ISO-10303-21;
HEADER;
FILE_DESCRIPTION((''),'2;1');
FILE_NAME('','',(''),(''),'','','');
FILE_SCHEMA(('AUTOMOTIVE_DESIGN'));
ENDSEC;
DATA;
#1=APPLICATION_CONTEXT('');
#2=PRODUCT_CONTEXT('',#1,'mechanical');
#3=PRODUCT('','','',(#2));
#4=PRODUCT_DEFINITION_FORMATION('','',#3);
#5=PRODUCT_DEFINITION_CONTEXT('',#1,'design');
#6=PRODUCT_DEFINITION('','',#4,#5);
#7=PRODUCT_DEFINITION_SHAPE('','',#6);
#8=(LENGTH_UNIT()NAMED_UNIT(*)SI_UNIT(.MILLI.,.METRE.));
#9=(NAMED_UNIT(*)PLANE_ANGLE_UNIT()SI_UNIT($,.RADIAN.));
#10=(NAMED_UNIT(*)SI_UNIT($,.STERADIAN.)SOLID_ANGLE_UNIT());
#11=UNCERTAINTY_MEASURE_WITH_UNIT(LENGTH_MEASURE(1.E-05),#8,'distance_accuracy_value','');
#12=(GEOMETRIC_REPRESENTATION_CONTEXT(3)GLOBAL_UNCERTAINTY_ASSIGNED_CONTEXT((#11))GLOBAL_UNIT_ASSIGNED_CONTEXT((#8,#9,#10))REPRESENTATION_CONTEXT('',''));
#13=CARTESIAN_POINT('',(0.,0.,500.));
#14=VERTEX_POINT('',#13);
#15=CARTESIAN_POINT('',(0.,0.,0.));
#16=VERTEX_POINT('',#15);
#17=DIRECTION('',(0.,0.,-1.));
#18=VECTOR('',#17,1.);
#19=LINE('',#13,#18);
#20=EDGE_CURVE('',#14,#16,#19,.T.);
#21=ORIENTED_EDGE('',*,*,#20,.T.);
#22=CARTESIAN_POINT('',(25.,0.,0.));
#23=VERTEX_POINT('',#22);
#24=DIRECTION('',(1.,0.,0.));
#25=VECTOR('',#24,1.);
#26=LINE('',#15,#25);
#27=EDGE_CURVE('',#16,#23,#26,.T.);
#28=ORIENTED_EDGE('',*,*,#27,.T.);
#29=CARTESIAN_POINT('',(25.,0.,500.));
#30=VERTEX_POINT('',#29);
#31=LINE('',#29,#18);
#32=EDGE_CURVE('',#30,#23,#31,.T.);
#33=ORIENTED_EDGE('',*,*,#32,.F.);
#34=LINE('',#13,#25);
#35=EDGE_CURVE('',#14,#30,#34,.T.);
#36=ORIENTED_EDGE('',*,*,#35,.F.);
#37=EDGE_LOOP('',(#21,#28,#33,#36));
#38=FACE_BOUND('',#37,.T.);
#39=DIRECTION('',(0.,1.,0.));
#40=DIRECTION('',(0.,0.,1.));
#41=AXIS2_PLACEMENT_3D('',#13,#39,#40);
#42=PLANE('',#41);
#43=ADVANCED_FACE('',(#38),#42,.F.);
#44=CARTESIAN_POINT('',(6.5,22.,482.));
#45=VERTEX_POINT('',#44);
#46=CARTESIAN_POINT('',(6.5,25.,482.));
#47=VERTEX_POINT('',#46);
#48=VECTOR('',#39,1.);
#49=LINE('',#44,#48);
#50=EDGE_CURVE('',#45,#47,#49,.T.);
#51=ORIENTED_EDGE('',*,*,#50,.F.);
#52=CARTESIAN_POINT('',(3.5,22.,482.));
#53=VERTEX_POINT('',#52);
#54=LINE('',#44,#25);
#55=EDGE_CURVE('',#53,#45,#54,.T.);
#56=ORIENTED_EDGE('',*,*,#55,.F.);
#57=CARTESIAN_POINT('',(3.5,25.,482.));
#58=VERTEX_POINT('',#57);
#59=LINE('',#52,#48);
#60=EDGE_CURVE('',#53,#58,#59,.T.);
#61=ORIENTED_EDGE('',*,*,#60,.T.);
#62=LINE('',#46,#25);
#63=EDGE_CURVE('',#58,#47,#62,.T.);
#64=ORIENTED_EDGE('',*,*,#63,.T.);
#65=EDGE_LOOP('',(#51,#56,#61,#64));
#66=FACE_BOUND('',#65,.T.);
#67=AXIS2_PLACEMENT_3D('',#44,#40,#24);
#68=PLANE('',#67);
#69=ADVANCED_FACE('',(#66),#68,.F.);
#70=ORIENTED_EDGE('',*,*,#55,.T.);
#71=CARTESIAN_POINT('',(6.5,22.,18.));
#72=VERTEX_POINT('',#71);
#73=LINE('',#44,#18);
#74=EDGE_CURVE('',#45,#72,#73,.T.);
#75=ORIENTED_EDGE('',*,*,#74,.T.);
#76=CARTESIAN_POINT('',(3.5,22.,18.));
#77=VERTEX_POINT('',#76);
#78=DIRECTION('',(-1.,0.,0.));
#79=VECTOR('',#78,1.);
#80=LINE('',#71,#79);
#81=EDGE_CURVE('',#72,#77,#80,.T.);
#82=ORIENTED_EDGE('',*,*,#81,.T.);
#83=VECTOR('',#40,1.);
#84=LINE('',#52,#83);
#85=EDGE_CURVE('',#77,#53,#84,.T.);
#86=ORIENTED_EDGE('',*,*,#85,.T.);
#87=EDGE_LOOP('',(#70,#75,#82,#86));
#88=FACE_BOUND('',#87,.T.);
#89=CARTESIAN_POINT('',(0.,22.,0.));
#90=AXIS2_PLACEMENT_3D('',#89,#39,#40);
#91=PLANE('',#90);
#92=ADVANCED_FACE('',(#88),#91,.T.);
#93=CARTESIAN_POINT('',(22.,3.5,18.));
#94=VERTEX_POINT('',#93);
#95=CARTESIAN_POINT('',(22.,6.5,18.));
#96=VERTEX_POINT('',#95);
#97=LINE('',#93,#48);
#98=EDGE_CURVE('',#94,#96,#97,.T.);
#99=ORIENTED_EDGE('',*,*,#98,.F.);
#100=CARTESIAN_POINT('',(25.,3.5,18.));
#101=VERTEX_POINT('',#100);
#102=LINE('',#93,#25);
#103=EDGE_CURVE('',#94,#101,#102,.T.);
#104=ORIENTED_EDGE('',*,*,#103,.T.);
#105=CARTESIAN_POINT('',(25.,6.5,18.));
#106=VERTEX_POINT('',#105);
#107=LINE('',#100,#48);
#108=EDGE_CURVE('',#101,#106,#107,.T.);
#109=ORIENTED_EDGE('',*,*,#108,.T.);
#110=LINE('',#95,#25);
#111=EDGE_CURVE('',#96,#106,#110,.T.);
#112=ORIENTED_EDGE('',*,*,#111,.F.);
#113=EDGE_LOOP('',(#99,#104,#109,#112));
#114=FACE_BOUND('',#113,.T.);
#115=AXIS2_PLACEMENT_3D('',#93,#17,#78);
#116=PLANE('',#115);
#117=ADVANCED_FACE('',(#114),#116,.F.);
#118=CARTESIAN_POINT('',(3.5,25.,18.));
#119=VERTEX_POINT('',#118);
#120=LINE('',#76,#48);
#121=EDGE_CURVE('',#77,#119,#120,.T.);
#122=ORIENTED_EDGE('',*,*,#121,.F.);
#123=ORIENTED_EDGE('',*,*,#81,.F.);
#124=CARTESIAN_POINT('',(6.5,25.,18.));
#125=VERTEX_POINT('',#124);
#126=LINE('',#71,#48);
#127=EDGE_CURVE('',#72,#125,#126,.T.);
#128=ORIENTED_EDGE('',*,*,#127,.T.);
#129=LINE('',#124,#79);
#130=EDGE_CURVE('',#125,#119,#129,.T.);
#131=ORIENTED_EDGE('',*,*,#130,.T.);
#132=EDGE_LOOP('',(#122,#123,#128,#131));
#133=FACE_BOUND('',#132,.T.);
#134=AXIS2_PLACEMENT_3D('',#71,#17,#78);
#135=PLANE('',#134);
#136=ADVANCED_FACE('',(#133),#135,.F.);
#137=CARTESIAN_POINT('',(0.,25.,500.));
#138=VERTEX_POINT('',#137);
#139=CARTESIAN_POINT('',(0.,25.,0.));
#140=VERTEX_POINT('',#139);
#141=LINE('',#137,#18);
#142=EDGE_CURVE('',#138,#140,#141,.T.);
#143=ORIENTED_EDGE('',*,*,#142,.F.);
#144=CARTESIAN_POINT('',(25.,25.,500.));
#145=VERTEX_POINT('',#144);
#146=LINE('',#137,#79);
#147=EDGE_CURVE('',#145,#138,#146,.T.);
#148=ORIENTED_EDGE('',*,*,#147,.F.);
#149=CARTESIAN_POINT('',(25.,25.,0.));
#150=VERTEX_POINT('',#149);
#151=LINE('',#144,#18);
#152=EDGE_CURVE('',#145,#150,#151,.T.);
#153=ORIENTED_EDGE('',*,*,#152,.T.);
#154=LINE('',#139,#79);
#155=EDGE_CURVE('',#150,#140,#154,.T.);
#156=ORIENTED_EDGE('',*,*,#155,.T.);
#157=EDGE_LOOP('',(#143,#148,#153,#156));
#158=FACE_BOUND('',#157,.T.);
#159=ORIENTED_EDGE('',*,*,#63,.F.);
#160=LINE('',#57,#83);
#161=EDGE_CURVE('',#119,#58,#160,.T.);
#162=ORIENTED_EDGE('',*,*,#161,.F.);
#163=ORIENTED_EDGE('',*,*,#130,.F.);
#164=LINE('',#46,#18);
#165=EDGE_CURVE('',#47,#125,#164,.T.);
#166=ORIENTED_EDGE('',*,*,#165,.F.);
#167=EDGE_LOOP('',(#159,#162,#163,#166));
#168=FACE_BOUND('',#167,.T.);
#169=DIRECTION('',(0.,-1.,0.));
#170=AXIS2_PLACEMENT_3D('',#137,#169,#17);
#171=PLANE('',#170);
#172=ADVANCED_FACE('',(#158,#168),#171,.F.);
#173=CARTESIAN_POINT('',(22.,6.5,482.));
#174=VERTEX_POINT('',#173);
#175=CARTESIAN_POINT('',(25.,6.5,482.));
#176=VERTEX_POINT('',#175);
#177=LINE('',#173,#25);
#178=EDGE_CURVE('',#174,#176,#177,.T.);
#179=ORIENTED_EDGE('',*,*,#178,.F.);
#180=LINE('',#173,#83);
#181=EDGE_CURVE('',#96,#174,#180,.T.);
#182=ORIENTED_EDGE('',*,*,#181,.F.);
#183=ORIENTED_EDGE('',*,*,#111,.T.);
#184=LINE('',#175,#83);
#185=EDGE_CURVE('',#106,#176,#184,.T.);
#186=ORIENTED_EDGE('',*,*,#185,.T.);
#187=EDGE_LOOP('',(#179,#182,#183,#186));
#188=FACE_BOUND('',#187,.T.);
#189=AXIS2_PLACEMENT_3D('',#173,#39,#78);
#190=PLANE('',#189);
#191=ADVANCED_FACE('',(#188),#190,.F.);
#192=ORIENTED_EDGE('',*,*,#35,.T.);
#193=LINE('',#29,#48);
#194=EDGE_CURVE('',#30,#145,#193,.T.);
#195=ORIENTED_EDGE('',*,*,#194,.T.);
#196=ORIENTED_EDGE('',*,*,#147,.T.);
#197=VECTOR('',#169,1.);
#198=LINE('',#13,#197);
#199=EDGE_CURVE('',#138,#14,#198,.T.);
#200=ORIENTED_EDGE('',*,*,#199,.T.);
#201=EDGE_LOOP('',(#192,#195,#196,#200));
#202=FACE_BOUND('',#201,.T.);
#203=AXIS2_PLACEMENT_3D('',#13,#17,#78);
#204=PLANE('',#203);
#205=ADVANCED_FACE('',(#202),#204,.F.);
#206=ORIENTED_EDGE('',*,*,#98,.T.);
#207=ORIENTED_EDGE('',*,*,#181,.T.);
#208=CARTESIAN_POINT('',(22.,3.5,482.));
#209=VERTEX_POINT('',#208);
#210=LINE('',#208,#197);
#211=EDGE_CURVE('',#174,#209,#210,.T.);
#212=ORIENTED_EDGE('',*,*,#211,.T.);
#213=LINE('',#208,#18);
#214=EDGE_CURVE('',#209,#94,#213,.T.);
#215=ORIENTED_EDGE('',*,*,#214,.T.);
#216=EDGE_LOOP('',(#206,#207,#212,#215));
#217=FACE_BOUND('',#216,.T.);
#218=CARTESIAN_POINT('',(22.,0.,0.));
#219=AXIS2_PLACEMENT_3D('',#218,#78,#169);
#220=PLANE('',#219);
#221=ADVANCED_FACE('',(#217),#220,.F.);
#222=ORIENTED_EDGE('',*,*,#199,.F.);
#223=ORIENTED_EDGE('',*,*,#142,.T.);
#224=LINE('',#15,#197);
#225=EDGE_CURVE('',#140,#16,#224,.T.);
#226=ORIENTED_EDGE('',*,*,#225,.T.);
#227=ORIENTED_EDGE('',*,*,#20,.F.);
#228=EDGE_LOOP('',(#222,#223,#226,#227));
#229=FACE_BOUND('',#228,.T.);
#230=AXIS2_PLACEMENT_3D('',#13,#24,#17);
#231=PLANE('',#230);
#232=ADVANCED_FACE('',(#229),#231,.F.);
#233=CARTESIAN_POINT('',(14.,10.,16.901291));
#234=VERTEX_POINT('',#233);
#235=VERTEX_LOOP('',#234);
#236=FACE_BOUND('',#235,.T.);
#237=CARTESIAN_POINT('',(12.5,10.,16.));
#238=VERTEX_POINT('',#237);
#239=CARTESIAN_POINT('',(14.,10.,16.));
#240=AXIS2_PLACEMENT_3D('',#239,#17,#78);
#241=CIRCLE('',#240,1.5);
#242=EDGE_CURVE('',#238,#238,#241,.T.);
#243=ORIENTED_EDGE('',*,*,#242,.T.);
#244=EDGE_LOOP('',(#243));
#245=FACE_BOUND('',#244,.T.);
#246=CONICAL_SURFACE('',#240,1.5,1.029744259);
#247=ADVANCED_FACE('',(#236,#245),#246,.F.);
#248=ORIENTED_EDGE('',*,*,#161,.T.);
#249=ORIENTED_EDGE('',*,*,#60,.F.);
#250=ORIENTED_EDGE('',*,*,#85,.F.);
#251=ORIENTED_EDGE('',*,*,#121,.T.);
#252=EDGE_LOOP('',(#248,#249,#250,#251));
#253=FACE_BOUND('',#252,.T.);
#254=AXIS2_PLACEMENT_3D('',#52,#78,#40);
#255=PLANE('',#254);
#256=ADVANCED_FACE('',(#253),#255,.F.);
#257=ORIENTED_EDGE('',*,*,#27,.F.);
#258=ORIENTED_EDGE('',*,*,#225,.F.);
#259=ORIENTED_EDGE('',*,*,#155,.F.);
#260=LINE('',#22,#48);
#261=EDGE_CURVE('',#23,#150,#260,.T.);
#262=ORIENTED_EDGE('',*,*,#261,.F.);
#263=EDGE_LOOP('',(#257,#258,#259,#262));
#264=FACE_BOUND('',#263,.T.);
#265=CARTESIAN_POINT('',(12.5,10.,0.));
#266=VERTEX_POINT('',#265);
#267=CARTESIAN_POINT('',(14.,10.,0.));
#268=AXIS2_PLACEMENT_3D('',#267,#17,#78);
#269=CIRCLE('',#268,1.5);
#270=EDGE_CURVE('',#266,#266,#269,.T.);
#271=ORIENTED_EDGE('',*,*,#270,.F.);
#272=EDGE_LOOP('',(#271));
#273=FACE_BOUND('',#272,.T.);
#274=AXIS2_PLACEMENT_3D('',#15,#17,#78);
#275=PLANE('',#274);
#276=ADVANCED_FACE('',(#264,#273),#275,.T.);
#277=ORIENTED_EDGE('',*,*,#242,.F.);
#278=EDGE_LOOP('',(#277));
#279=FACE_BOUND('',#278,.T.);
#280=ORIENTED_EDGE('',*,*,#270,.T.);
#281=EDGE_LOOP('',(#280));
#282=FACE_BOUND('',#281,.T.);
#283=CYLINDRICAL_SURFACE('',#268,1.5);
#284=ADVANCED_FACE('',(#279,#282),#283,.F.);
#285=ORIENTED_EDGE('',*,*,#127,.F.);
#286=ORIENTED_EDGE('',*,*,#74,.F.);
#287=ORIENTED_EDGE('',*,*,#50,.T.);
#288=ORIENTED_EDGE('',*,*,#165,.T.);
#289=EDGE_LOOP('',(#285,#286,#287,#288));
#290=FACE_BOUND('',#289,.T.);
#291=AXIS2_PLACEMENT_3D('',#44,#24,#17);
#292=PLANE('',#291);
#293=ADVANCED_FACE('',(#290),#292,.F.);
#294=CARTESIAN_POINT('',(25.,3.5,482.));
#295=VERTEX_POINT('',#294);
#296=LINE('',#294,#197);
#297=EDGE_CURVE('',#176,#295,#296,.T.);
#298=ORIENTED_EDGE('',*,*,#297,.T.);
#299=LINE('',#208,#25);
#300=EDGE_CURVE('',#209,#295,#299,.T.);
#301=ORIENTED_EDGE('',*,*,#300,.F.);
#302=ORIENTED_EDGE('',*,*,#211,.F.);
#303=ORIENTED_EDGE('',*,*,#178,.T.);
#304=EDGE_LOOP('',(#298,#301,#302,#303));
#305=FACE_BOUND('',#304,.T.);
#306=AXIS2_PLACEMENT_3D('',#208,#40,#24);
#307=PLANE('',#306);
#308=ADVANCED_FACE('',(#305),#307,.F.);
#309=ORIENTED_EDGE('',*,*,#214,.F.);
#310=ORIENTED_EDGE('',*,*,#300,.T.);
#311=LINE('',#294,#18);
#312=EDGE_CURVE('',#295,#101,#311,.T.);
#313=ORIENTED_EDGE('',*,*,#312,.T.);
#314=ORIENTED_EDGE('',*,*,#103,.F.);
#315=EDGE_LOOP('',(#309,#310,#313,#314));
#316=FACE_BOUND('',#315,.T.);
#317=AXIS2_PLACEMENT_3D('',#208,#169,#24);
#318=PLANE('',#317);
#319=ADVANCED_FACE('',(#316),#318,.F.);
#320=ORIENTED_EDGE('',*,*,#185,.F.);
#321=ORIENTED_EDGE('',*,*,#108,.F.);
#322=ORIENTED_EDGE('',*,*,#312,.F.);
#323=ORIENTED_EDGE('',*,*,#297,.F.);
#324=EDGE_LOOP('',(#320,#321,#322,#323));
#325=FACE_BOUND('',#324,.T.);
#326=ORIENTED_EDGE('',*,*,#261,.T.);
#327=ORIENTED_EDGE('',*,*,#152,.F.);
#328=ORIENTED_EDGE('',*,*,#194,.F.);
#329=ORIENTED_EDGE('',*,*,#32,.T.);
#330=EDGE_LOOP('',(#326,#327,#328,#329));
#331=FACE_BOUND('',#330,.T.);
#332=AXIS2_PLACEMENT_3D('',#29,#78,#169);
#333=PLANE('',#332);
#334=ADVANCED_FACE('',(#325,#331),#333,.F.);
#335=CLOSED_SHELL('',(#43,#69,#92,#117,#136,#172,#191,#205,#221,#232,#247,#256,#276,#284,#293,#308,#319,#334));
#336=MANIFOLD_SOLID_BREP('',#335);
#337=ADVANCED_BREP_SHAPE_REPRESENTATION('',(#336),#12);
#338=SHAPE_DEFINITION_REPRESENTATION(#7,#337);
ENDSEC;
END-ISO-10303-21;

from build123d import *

# Parameters (mm, degrees)
SZKIC1_W                       = 25
SZKIC1_H                       = 25
DODANIE_WYCI_GNI_CIE1_DEPTH    = 500
SZKIC2_W                       = 3
SZKIC2_H                       = 464
WYTNIJ_WYCI_GNI_CIE1_DEPTH     = 3
SZKIC3_W                       = 464
SZKIC3_H                       = 3
WYTNIJ_WYCI_GNI_CIE2_DEPTH     = 3
OTWORY_USTALAJ_CE_3_0MM1_D     = 3
OTWORY_USTALAJ_CE_3_0MM1_DEPTH = 16
OTWORY_USTALAJ_CE_3_0MM1_TIP   = 0.901290929


with BuildPart() as part:
    # Szkic1 → Dodanie-wyciągnięcie1 (new body)
    with BuildSketch(Plane.XY):
        with Locations((12.5, 12.5)):
            Rectangle(SZKIC1_W, SZKIC1_H)
    extrude(amount=DODANIE_WYCI_GNI_CIE1_DEPTH)

    # Szkic2 → Wytnij-wyciągnięcie1 (cut)
    with BuildSketch(Plane(origin=(0, 25, 0), x_dir=(1, 0, 0), z_dir=(0, 1, 0))):
        with Locations((5, -250)):
            Rectangle(SZKIC2_W, SZKIC2_H)
    extrude(amount=-WYTNIJ_WYCI_GNI_CIE1_DEPTH, mode=Mode.SUBTRACT)

    # Szkic3 → Wytnij-wyciągnięcie2 (cut)
    with BuildSketch(Plane(origin=(25, 0, 0), x_dir=(0, 0, -1), z_dir=(1, 0, 0))):
        with Locations((-250, 5)):
            Rectangle(SZKIC3_W, SZKIC3_H)
    extrude(amount=-WYTNIJ_WYCI_GNI_CIE2_DEPTH, mode=Mode.SUBTRACT)

    # Otwory ustalające Ø3.0mm1
    with Locations(Plane(origin=(0, 0, 0), x_dir=(-1, 0, 0), z_dir=(0, 0, -1))):
        with Locations((-14, 10)):
            Hole(OTWORY_USTALAJ_CE_3_0MM1_D / 2, depth=OTWORY_USTALAJ_CE_3_0MM1_DEPTH)
            with Locations((0, 0, -(OTWORY_USTALAJ_CE_3_0MM1_DEPTH + OTWORY_USTALAJ_CE_3_0MM1_TIP / 2))):  # 118° drill point
                Cone(0, OTWORY_USTALAJ_CE_3_0MM1_D / 2, OTWORY_USTALAJ_CE_3_0MM1_TIP, mode=Mode.SUBTRACT)


solid = part.part
